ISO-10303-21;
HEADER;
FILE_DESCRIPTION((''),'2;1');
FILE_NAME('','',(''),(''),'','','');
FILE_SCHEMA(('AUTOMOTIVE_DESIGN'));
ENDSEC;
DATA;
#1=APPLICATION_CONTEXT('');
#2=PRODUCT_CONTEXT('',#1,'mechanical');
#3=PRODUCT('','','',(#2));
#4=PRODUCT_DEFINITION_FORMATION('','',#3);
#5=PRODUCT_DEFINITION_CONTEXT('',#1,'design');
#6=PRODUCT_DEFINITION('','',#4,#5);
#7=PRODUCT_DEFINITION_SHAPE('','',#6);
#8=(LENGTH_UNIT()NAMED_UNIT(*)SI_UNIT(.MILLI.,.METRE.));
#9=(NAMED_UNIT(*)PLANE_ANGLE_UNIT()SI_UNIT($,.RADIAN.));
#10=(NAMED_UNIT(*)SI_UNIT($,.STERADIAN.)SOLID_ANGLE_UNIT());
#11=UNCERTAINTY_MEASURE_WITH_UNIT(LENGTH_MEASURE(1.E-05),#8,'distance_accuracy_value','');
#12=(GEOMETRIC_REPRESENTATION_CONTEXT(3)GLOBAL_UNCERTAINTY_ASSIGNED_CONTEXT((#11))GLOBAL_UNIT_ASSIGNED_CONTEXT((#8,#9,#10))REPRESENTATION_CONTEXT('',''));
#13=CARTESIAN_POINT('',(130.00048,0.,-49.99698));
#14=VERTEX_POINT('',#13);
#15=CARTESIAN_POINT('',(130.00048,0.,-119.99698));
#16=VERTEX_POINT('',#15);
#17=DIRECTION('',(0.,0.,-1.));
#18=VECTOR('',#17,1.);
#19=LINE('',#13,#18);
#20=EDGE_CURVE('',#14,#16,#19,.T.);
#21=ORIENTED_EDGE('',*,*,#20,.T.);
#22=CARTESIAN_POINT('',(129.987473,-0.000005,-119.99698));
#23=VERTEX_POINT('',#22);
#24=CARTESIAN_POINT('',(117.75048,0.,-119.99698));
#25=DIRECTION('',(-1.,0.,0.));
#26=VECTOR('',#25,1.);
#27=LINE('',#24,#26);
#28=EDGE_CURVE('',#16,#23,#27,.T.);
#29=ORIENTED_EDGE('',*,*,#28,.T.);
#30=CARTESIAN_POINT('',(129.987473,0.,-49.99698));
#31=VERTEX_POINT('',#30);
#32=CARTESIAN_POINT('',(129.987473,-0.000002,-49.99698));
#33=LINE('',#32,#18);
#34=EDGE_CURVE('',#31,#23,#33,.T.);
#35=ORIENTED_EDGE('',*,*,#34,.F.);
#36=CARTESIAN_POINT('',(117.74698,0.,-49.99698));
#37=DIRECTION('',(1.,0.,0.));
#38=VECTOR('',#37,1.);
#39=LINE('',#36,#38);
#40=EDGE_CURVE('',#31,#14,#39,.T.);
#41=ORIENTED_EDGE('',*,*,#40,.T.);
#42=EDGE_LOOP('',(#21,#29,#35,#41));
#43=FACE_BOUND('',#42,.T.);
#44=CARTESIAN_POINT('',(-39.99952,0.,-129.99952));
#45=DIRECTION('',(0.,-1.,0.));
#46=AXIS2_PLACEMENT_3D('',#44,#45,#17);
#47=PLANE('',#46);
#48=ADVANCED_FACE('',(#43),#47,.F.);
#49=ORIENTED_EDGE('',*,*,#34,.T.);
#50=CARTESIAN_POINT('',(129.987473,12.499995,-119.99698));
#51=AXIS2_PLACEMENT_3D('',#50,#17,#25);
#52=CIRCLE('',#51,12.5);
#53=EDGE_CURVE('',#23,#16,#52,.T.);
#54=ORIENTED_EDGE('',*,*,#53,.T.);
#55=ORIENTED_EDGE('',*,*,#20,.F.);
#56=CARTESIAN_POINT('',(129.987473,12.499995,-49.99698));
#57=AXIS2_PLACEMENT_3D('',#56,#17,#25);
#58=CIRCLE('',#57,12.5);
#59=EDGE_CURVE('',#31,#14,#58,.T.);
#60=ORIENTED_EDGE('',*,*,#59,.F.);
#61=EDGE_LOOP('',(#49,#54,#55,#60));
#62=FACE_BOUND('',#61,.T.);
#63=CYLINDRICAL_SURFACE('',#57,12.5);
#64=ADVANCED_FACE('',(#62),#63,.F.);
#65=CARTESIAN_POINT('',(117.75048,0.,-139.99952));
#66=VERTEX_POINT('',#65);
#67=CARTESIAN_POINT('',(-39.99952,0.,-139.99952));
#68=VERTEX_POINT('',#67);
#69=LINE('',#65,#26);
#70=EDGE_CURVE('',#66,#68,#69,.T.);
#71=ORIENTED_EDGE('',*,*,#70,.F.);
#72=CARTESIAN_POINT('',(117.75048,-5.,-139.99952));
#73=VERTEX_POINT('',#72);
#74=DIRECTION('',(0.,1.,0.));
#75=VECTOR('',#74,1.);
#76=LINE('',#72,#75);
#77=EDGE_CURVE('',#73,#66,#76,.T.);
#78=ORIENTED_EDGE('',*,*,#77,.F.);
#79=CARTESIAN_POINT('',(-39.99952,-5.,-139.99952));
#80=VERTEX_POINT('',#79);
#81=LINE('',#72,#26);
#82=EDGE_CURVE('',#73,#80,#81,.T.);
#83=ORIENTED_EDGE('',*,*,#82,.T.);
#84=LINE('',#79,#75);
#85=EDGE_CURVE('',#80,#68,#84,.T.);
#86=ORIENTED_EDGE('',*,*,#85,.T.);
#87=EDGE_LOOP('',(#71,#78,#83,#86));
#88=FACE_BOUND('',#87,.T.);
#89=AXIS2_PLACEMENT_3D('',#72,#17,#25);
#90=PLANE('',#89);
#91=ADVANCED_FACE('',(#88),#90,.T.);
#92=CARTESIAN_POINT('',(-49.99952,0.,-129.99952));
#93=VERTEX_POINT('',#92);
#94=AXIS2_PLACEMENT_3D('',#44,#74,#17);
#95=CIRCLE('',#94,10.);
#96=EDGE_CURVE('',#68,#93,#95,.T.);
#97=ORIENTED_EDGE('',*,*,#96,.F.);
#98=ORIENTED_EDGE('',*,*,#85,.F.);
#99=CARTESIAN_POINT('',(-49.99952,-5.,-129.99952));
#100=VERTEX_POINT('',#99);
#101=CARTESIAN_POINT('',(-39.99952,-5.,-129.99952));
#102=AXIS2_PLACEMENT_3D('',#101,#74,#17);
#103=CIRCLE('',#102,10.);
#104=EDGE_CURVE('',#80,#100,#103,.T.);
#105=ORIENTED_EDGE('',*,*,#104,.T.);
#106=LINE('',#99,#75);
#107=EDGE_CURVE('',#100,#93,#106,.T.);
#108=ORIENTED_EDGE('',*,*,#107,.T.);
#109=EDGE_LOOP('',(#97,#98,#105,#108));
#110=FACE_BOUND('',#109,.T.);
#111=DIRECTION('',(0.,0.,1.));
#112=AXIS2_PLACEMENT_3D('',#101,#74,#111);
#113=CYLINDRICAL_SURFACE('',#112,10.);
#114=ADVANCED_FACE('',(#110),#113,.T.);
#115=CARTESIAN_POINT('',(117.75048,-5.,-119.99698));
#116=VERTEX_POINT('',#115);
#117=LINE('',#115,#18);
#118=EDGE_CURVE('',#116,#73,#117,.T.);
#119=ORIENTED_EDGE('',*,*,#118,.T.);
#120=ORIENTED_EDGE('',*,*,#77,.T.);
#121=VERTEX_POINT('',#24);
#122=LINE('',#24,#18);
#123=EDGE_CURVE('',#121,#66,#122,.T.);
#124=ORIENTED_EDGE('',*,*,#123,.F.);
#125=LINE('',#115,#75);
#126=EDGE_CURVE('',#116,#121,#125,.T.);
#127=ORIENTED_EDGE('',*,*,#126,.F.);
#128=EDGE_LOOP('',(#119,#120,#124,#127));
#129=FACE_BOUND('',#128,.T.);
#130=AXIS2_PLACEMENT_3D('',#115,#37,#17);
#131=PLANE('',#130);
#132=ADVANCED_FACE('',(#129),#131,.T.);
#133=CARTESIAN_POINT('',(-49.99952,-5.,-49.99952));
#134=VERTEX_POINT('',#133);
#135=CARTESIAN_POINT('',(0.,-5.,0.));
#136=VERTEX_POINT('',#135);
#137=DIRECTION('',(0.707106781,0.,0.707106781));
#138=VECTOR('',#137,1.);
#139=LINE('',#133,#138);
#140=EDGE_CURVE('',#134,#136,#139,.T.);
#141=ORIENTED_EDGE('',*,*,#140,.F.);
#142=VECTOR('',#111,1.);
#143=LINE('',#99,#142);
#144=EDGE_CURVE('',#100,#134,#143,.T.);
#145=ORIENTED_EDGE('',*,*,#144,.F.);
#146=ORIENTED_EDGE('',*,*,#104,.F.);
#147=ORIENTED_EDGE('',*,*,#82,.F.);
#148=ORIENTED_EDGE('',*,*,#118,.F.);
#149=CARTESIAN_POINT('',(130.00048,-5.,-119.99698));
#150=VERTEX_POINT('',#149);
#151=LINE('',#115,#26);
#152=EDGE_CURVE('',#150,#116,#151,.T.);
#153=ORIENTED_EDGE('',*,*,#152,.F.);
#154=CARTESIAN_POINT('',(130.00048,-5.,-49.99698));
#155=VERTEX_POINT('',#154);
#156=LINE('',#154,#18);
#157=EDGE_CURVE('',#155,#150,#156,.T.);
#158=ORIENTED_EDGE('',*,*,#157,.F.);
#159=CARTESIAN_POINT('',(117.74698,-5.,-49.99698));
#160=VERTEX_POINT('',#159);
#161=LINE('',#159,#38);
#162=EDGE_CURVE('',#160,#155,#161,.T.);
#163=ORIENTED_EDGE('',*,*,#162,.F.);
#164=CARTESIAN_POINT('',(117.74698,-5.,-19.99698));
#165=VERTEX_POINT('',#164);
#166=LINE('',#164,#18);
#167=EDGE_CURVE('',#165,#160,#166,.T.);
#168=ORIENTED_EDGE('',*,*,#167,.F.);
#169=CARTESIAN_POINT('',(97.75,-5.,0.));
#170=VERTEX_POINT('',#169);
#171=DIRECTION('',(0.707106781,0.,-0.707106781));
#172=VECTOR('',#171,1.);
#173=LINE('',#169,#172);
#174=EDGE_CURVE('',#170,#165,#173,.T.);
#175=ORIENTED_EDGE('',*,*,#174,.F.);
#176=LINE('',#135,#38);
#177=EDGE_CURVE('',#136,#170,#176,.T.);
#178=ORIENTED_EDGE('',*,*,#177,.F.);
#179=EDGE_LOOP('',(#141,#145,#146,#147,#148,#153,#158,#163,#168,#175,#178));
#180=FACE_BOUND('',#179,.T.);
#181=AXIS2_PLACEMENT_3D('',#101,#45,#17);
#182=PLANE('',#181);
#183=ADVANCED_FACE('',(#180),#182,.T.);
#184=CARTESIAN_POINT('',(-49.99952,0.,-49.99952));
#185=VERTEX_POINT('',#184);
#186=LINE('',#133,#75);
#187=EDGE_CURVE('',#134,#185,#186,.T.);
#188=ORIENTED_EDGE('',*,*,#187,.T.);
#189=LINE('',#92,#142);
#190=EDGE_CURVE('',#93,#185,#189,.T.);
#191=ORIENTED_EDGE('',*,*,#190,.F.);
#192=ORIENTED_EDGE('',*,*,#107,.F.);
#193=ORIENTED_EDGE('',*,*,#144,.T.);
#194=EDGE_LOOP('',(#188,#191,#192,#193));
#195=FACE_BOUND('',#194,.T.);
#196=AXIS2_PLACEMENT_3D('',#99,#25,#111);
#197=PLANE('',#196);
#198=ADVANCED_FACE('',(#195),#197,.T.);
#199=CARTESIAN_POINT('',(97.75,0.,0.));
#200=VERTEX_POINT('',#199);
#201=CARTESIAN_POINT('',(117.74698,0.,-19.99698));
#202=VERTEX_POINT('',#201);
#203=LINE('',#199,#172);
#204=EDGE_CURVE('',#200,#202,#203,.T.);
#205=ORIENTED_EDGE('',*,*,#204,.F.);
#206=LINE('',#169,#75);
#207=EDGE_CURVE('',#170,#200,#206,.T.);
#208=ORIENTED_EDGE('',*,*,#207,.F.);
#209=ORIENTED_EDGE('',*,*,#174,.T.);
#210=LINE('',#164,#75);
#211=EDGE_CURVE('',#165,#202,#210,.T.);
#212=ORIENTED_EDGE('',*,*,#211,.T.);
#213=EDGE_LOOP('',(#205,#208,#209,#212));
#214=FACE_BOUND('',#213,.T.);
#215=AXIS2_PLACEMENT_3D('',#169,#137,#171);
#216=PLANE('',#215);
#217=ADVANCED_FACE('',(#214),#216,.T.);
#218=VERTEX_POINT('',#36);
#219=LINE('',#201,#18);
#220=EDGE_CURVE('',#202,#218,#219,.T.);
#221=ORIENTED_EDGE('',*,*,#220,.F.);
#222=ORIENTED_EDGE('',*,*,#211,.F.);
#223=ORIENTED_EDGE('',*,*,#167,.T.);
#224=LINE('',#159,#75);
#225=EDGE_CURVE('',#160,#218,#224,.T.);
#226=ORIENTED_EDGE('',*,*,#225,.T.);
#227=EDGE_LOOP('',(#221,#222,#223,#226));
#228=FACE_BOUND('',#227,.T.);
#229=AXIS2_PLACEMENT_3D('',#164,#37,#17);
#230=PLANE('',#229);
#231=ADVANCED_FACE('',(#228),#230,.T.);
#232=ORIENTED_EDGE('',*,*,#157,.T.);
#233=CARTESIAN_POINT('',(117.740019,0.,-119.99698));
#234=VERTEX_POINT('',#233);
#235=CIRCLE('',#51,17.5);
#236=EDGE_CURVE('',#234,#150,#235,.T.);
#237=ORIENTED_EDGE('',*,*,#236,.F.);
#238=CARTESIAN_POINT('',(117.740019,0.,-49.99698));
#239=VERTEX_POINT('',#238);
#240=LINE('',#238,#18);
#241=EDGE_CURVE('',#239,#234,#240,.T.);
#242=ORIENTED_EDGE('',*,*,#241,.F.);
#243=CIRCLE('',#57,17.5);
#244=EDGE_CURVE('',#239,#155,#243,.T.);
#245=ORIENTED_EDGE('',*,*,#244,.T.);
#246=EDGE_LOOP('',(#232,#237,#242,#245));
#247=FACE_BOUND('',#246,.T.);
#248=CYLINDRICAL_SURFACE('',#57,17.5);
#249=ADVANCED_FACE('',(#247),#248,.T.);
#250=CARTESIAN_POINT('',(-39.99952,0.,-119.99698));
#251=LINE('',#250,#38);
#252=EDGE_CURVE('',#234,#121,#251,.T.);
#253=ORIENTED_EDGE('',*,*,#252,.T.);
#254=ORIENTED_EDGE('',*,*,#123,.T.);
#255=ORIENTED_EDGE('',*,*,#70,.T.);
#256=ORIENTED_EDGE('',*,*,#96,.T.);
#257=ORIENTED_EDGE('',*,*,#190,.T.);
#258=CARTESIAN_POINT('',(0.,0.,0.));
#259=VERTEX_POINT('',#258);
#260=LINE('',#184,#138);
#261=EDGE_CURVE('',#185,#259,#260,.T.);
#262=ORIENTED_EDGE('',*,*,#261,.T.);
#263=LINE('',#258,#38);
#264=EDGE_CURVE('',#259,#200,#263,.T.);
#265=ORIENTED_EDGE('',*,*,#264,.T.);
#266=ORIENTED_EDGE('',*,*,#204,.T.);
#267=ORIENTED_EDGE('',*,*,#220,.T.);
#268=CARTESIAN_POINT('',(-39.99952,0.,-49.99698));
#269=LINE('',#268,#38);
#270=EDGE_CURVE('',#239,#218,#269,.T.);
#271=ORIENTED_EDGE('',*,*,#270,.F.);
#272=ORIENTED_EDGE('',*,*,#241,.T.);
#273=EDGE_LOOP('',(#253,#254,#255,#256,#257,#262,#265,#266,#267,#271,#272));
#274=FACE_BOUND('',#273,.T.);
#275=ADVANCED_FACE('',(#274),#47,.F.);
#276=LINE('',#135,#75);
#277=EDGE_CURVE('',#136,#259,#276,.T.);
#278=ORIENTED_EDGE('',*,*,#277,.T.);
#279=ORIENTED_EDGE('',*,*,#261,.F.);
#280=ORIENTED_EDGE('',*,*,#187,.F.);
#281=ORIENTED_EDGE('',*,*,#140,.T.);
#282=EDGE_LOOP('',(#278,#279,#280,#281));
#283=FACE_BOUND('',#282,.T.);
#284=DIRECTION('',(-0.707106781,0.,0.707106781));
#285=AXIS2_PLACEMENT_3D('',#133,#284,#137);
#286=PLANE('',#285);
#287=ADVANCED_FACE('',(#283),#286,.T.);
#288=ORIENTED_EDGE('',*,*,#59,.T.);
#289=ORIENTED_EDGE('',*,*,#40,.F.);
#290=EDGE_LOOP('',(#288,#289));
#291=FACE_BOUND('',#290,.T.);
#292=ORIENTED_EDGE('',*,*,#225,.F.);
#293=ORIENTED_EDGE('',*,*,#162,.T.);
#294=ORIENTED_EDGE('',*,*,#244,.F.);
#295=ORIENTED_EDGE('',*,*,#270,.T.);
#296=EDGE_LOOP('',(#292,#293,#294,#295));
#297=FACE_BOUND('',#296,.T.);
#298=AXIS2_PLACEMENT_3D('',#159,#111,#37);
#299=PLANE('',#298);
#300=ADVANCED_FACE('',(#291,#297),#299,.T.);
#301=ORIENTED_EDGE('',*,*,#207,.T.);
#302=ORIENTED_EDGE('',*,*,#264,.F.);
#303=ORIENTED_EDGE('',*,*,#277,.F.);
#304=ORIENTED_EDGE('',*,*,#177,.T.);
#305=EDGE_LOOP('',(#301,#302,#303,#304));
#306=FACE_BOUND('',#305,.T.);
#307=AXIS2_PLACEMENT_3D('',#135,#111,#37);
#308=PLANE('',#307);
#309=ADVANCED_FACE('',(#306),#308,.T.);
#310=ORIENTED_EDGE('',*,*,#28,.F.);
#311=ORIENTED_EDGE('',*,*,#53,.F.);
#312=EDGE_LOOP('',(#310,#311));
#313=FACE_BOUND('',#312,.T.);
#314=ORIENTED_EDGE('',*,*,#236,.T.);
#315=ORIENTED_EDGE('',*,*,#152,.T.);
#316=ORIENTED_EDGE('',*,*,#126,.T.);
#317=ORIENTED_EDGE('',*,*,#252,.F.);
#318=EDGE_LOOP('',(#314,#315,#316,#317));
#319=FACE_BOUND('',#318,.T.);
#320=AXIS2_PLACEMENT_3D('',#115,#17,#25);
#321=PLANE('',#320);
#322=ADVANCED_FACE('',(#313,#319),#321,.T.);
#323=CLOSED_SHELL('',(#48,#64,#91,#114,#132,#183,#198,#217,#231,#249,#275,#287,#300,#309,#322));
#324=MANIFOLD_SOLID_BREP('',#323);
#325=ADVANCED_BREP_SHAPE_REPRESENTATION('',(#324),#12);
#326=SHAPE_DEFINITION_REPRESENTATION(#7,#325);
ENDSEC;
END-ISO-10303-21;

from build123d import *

# Parameters (mm, degrees)
BOSS_EXTRUDE1_DEPTH = 5
SKETCH2_R           = 17.5
SKETCH2_R_2         = 12.5
BOSS_EXTRUDE2_DEPTH = 70


with BuildPart() as part:
    # Sketch1 → Boss-Extrude1 (new body)
    with BuildSketch(Plane(origin=(0, 0, 0), x_dir=(1, 0, 0), z_dir=(0, 1, 0))):
        with BuildLine():
            Line((0, 0), (97.75, 0))
            Line((97.75, 0), (117.746979772, 19.996979772))
            Line((117.746979772, 19.996979772), (117.746979772, 49.996979772))
            Line((117.746979772, 49.996979772), (130.000479502, 49.996979772))
            Line((130.000479502, 49.996979772), (130.000479502, 119.996979772))
            Line((130.000479502, 119.996979772), (117.750479502, 119.996979772))
            Line((117.750479502, 119.996979772), (117.750479502, 139.999520498))
            Line((117.750479502, 139.999520498), (-39.999520498, 139.999520498))
            ThreePointArc((-39.999520498, 139.999520498), (-47.07058831, 137.07058831), (-49.999520498, 129.999520498))
            Line((-49.999520498, 129.999520498), (-49.999520498, 49.999520498))
            Line((-49.999520498, 49.999520498), (0, 0))
        make_face()
    extrude(amount=-BOSS_EXTRUDE1_DEPTH)

    # Sketch2 → Boss-Extrude2 (add)
    with BuildSketch(Plane(origin=(0, 0, -119.996979772), x_dir=(-1, 0, 0), z_dir=(0, 0, -1))):
        with Locations((-129.987472978, 12.499995167)):
            Circle(SKETCH2_R)
        with Locations((-129.987472978, 12.499995167)):
            Circle(SKETCH2_R_2, mode=Mode.SUBTRACT)
    extrude(amount=-BOSS_EXTRUDE2_DEPTH)


solid = part.part
